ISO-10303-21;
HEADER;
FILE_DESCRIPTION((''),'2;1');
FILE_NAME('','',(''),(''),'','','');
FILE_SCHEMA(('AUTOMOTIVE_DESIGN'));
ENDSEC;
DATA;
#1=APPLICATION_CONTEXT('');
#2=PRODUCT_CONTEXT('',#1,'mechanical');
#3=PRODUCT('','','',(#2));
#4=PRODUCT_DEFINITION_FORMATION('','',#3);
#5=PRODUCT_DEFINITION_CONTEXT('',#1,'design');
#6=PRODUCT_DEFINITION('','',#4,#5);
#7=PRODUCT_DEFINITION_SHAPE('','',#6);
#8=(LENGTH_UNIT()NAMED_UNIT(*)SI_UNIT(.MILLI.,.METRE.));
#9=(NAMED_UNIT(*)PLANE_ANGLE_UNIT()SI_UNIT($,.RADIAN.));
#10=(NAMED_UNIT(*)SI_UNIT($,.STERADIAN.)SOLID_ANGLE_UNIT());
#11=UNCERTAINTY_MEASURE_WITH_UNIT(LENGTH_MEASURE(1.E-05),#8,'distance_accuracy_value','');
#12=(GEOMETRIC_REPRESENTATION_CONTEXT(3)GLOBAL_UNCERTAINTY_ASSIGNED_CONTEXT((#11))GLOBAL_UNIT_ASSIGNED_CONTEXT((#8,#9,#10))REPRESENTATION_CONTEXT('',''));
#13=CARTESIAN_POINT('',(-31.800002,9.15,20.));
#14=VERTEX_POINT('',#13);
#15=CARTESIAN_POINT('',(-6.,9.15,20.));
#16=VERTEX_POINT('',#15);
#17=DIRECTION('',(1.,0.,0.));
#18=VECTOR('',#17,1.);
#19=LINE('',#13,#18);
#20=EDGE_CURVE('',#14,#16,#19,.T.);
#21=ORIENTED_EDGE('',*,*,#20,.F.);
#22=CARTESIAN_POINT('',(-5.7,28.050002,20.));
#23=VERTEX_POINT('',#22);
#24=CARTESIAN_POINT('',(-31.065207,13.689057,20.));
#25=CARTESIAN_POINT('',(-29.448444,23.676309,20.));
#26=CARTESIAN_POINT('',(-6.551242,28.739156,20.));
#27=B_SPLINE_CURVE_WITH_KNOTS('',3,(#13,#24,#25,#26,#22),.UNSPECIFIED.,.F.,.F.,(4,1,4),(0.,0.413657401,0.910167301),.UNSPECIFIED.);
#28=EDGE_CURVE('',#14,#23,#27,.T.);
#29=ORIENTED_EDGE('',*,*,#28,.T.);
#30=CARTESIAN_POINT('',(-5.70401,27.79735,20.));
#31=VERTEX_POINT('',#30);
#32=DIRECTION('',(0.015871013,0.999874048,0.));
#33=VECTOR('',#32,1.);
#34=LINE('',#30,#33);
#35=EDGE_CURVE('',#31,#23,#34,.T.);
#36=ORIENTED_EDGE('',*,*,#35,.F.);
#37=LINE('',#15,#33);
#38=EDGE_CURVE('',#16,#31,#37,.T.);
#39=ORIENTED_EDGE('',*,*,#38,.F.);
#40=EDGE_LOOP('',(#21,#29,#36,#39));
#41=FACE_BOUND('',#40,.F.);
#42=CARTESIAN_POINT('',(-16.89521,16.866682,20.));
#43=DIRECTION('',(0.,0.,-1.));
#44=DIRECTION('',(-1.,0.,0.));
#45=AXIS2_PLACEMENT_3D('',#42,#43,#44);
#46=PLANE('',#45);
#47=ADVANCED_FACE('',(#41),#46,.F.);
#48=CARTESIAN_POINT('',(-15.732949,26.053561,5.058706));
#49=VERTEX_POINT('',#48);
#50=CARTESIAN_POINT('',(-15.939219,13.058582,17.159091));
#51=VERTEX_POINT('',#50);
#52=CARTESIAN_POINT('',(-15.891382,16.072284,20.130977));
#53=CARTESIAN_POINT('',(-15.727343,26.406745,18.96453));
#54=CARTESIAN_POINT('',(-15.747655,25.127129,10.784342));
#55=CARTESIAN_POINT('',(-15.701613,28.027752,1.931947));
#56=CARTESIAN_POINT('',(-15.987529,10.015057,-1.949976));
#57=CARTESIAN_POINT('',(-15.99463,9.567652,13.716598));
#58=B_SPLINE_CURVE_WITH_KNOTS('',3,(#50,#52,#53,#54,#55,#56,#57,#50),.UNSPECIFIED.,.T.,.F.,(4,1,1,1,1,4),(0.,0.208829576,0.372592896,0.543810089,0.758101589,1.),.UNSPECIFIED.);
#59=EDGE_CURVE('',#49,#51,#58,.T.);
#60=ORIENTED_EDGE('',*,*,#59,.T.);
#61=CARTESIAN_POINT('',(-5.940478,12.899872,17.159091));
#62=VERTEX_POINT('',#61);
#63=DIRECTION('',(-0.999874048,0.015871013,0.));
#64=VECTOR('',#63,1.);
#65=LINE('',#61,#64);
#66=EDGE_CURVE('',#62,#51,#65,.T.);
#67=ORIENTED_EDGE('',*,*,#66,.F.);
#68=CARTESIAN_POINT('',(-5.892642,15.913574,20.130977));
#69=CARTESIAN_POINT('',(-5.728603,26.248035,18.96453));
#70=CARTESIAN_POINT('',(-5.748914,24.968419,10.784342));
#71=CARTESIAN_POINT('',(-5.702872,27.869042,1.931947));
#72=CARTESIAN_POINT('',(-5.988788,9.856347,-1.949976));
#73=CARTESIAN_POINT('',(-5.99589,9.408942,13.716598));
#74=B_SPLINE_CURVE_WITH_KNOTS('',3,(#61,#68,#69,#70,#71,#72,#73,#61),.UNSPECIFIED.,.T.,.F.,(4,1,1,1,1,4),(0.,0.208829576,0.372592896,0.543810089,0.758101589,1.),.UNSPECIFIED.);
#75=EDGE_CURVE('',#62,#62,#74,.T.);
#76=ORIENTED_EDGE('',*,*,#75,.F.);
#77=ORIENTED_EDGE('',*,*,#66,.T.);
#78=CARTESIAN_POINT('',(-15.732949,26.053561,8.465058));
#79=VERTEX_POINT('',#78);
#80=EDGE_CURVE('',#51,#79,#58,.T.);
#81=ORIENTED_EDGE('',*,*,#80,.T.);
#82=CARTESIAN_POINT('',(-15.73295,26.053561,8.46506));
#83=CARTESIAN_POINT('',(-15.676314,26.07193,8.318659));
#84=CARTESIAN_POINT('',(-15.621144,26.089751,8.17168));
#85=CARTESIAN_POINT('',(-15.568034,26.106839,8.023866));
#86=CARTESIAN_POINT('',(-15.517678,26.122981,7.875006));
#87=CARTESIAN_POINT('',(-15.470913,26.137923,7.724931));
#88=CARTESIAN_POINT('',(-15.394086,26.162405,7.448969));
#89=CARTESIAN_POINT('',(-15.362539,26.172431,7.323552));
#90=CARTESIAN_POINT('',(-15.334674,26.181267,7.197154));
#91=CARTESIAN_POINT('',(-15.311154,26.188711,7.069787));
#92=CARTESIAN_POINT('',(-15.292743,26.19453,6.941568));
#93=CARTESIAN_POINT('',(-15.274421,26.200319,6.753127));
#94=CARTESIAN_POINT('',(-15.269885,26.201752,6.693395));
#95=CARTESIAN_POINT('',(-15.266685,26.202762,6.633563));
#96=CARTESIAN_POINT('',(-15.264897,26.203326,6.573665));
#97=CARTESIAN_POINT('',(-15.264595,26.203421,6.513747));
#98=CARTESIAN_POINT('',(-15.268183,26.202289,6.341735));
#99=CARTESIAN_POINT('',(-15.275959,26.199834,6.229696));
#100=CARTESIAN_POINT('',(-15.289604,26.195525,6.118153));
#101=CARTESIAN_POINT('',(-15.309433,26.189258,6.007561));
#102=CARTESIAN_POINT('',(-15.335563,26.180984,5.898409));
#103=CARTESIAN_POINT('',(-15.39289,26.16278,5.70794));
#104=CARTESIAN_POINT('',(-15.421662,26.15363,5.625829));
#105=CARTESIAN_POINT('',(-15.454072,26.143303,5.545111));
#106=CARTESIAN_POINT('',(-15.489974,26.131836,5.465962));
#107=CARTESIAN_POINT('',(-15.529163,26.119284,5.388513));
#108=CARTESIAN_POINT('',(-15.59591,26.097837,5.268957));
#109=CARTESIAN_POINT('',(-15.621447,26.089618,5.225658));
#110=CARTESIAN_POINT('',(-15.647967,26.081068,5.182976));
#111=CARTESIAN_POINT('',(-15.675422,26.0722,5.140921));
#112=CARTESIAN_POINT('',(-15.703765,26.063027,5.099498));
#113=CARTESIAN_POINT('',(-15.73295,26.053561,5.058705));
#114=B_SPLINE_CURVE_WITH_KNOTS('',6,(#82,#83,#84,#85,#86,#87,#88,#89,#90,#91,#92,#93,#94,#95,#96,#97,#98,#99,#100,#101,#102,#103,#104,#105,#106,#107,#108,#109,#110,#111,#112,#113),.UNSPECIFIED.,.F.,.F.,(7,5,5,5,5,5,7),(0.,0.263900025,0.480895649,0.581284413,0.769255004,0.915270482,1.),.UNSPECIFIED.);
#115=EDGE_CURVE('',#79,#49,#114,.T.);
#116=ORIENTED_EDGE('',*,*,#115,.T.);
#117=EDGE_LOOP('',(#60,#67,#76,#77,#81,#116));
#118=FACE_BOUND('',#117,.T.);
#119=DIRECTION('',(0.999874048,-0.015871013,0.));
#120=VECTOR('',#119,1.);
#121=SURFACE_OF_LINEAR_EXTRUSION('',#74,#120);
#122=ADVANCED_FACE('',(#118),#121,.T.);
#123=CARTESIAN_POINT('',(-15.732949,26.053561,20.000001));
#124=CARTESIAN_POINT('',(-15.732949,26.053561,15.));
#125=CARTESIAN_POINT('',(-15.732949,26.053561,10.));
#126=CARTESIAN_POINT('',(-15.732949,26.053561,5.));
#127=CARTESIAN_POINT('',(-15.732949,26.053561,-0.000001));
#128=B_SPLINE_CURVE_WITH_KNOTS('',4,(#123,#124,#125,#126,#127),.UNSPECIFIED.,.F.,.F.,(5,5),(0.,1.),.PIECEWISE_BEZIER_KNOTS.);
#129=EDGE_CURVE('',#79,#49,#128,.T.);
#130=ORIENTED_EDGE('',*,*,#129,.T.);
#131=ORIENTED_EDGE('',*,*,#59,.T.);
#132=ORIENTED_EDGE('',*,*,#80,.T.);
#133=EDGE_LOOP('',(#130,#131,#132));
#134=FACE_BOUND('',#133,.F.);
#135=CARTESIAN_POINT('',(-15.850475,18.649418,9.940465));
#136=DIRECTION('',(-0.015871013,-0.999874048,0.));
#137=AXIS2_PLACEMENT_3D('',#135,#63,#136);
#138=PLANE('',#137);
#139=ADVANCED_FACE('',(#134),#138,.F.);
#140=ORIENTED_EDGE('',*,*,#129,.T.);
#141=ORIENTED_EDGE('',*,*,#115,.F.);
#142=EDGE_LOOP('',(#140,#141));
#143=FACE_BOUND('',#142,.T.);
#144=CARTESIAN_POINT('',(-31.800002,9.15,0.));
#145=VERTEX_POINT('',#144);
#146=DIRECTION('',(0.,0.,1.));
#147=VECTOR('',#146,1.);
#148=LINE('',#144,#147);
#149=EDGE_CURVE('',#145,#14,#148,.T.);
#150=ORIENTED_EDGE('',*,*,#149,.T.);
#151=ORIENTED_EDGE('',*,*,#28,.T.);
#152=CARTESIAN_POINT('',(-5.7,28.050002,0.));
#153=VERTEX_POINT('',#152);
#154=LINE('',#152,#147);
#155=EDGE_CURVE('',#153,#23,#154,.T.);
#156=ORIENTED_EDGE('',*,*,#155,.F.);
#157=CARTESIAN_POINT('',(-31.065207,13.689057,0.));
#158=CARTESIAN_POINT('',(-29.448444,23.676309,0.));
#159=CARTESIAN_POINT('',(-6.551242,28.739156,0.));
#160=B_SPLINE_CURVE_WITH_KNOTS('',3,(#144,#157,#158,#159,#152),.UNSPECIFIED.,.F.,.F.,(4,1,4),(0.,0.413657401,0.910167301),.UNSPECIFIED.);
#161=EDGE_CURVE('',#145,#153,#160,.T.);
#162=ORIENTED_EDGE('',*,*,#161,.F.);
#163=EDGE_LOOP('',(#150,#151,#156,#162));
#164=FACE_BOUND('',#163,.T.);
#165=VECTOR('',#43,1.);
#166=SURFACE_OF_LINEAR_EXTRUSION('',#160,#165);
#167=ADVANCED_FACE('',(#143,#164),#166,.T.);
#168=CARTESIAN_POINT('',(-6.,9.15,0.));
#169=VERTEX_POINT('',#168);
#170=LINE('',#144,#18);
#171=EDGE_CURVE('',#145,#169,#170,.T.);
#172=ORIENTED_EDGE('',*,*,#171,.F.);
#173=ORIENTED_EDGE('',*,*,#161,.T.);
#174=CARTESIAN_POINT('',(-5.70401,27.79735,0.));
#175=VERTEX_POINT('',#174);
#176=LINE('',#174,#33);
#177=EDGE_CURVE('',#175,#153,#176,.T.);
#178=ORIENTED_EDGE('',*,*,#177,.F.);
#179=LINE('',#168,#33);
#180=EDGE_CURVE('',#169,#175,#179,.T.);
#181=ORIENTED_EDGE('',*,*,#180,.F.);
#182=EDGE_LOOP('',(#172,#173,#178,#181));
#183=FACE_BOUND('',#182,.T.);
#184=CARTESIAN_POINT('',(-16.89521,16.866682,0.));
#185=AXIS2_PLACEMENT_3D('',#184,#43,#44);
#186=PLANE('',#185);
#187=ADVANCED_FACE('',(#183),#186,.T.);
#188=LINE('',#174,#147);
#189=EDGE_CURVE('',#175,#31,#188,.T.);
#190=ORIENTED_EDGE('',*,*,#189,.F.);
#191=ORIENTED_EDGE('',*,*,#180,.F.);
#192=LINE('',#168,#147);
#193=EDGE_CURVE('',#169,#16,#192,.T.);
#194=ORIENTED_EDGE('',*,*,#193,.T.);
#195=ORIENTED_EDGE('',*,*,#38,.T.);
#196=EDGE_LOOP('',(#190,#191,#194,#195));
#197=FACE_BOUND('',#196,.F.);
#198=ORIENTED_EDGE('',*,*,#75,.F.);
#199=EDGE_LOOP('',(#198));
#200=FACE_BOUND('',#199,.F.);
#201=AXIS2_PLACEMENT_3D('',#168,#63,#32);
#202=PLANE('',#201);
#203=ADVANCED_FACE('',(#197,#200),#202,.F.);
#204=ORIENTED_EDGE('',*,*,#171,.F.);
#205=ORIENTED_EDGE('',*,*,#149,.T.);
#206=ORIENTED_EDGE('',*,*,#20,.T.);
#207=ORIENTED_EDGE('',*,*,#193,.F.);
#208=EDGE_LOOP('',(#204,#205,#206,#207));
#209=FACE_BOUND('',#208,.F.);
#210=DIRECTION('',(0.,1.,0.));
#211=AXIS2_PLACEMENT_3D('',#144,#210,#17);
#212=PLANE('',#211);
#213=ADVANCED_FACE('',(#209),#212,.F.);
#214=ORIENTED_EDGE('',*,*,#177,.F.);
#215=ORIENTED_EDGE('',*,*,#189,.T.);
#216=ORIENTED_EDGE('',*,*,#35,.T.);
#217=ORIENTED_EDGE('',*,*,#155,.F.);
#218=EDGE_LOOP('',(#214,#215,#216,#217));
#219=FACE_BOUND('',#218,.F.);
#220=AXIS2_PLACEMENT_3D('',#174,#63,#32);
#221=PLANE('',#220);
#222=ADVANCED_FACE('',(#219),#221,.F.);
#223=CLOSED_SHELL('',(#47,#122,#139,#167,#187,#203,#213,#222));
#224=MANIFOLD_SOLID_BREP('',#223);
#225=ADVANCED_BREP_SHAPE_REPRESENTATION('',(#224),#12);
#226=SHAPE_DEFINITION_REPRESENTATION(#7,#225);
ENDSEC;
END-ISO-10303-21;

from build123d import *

# Parameters (mm, degrees)
F1_DEPTH = 20
F3_DEPTH = 10


with BuildPart() as f1:
    # F0 (on Top) → F1 (new body)
    with BuildSketch(Plane.XY):
        with BuildLine():
            add(Edge.make_bspline(
                [(-31.8000018597, 9.1500002891), (-31.0652071062, 13.6890567824), (-29.4484436774, 23.6763090125), (-6.5512415539, 28.7391560968), (-5.7000000961, 28.0500017107)],
                knots=[0, 0, 0, 0, 0.4136574007, 0.910167301, 0.910167301, 0.910167301, 0.910167301], degree=3))
            Line((-31.8000018597, 9.1500002891), (-6.0000000522, 9.1500002891))
            Line((-6.0000000522, 9.1500002891), (-5.7040104388, 27.7973500647))
            Line((-5.7040104388, 27.7973500647), (-5.7000000961, 28.0500017107))
        make_face()
    extrude(amount=F1_DEPTH)

    # F2 (on face) → F3 (cut)
    with BuildSketch(Plane(origin=(-6.1436902015, 0.0975188705, 0), x_dir=(0.0158710131, 0.9998740475, 0), z_dir=(0.9998740475, -0.0158710131, 0))):
        with BuildLine():
            add(Edge.make_bspline(
                [(12.8039661795, 17.1590913087), (15.8180471512, 20.1309769332), (26.1538102441, 18.9645296951), (24.8740330547, 10.784341605), (27.7750213725, 1.9319473459), (9.7600574137, -1.9499761699), (9.3125957908, 13.7165980363), (12.8039661795, 17.1590913087)],
                knots=[0, 0, 0, 0, 0.208829576, 0.372592896, 0.5438100889, 0.7581015889, 1, 1, 1, 1], degree=3))
        make_face()
    extrude(amount=-F3_DEPTH, mode=Mode.SUBTRACT)


solid = f1.part
